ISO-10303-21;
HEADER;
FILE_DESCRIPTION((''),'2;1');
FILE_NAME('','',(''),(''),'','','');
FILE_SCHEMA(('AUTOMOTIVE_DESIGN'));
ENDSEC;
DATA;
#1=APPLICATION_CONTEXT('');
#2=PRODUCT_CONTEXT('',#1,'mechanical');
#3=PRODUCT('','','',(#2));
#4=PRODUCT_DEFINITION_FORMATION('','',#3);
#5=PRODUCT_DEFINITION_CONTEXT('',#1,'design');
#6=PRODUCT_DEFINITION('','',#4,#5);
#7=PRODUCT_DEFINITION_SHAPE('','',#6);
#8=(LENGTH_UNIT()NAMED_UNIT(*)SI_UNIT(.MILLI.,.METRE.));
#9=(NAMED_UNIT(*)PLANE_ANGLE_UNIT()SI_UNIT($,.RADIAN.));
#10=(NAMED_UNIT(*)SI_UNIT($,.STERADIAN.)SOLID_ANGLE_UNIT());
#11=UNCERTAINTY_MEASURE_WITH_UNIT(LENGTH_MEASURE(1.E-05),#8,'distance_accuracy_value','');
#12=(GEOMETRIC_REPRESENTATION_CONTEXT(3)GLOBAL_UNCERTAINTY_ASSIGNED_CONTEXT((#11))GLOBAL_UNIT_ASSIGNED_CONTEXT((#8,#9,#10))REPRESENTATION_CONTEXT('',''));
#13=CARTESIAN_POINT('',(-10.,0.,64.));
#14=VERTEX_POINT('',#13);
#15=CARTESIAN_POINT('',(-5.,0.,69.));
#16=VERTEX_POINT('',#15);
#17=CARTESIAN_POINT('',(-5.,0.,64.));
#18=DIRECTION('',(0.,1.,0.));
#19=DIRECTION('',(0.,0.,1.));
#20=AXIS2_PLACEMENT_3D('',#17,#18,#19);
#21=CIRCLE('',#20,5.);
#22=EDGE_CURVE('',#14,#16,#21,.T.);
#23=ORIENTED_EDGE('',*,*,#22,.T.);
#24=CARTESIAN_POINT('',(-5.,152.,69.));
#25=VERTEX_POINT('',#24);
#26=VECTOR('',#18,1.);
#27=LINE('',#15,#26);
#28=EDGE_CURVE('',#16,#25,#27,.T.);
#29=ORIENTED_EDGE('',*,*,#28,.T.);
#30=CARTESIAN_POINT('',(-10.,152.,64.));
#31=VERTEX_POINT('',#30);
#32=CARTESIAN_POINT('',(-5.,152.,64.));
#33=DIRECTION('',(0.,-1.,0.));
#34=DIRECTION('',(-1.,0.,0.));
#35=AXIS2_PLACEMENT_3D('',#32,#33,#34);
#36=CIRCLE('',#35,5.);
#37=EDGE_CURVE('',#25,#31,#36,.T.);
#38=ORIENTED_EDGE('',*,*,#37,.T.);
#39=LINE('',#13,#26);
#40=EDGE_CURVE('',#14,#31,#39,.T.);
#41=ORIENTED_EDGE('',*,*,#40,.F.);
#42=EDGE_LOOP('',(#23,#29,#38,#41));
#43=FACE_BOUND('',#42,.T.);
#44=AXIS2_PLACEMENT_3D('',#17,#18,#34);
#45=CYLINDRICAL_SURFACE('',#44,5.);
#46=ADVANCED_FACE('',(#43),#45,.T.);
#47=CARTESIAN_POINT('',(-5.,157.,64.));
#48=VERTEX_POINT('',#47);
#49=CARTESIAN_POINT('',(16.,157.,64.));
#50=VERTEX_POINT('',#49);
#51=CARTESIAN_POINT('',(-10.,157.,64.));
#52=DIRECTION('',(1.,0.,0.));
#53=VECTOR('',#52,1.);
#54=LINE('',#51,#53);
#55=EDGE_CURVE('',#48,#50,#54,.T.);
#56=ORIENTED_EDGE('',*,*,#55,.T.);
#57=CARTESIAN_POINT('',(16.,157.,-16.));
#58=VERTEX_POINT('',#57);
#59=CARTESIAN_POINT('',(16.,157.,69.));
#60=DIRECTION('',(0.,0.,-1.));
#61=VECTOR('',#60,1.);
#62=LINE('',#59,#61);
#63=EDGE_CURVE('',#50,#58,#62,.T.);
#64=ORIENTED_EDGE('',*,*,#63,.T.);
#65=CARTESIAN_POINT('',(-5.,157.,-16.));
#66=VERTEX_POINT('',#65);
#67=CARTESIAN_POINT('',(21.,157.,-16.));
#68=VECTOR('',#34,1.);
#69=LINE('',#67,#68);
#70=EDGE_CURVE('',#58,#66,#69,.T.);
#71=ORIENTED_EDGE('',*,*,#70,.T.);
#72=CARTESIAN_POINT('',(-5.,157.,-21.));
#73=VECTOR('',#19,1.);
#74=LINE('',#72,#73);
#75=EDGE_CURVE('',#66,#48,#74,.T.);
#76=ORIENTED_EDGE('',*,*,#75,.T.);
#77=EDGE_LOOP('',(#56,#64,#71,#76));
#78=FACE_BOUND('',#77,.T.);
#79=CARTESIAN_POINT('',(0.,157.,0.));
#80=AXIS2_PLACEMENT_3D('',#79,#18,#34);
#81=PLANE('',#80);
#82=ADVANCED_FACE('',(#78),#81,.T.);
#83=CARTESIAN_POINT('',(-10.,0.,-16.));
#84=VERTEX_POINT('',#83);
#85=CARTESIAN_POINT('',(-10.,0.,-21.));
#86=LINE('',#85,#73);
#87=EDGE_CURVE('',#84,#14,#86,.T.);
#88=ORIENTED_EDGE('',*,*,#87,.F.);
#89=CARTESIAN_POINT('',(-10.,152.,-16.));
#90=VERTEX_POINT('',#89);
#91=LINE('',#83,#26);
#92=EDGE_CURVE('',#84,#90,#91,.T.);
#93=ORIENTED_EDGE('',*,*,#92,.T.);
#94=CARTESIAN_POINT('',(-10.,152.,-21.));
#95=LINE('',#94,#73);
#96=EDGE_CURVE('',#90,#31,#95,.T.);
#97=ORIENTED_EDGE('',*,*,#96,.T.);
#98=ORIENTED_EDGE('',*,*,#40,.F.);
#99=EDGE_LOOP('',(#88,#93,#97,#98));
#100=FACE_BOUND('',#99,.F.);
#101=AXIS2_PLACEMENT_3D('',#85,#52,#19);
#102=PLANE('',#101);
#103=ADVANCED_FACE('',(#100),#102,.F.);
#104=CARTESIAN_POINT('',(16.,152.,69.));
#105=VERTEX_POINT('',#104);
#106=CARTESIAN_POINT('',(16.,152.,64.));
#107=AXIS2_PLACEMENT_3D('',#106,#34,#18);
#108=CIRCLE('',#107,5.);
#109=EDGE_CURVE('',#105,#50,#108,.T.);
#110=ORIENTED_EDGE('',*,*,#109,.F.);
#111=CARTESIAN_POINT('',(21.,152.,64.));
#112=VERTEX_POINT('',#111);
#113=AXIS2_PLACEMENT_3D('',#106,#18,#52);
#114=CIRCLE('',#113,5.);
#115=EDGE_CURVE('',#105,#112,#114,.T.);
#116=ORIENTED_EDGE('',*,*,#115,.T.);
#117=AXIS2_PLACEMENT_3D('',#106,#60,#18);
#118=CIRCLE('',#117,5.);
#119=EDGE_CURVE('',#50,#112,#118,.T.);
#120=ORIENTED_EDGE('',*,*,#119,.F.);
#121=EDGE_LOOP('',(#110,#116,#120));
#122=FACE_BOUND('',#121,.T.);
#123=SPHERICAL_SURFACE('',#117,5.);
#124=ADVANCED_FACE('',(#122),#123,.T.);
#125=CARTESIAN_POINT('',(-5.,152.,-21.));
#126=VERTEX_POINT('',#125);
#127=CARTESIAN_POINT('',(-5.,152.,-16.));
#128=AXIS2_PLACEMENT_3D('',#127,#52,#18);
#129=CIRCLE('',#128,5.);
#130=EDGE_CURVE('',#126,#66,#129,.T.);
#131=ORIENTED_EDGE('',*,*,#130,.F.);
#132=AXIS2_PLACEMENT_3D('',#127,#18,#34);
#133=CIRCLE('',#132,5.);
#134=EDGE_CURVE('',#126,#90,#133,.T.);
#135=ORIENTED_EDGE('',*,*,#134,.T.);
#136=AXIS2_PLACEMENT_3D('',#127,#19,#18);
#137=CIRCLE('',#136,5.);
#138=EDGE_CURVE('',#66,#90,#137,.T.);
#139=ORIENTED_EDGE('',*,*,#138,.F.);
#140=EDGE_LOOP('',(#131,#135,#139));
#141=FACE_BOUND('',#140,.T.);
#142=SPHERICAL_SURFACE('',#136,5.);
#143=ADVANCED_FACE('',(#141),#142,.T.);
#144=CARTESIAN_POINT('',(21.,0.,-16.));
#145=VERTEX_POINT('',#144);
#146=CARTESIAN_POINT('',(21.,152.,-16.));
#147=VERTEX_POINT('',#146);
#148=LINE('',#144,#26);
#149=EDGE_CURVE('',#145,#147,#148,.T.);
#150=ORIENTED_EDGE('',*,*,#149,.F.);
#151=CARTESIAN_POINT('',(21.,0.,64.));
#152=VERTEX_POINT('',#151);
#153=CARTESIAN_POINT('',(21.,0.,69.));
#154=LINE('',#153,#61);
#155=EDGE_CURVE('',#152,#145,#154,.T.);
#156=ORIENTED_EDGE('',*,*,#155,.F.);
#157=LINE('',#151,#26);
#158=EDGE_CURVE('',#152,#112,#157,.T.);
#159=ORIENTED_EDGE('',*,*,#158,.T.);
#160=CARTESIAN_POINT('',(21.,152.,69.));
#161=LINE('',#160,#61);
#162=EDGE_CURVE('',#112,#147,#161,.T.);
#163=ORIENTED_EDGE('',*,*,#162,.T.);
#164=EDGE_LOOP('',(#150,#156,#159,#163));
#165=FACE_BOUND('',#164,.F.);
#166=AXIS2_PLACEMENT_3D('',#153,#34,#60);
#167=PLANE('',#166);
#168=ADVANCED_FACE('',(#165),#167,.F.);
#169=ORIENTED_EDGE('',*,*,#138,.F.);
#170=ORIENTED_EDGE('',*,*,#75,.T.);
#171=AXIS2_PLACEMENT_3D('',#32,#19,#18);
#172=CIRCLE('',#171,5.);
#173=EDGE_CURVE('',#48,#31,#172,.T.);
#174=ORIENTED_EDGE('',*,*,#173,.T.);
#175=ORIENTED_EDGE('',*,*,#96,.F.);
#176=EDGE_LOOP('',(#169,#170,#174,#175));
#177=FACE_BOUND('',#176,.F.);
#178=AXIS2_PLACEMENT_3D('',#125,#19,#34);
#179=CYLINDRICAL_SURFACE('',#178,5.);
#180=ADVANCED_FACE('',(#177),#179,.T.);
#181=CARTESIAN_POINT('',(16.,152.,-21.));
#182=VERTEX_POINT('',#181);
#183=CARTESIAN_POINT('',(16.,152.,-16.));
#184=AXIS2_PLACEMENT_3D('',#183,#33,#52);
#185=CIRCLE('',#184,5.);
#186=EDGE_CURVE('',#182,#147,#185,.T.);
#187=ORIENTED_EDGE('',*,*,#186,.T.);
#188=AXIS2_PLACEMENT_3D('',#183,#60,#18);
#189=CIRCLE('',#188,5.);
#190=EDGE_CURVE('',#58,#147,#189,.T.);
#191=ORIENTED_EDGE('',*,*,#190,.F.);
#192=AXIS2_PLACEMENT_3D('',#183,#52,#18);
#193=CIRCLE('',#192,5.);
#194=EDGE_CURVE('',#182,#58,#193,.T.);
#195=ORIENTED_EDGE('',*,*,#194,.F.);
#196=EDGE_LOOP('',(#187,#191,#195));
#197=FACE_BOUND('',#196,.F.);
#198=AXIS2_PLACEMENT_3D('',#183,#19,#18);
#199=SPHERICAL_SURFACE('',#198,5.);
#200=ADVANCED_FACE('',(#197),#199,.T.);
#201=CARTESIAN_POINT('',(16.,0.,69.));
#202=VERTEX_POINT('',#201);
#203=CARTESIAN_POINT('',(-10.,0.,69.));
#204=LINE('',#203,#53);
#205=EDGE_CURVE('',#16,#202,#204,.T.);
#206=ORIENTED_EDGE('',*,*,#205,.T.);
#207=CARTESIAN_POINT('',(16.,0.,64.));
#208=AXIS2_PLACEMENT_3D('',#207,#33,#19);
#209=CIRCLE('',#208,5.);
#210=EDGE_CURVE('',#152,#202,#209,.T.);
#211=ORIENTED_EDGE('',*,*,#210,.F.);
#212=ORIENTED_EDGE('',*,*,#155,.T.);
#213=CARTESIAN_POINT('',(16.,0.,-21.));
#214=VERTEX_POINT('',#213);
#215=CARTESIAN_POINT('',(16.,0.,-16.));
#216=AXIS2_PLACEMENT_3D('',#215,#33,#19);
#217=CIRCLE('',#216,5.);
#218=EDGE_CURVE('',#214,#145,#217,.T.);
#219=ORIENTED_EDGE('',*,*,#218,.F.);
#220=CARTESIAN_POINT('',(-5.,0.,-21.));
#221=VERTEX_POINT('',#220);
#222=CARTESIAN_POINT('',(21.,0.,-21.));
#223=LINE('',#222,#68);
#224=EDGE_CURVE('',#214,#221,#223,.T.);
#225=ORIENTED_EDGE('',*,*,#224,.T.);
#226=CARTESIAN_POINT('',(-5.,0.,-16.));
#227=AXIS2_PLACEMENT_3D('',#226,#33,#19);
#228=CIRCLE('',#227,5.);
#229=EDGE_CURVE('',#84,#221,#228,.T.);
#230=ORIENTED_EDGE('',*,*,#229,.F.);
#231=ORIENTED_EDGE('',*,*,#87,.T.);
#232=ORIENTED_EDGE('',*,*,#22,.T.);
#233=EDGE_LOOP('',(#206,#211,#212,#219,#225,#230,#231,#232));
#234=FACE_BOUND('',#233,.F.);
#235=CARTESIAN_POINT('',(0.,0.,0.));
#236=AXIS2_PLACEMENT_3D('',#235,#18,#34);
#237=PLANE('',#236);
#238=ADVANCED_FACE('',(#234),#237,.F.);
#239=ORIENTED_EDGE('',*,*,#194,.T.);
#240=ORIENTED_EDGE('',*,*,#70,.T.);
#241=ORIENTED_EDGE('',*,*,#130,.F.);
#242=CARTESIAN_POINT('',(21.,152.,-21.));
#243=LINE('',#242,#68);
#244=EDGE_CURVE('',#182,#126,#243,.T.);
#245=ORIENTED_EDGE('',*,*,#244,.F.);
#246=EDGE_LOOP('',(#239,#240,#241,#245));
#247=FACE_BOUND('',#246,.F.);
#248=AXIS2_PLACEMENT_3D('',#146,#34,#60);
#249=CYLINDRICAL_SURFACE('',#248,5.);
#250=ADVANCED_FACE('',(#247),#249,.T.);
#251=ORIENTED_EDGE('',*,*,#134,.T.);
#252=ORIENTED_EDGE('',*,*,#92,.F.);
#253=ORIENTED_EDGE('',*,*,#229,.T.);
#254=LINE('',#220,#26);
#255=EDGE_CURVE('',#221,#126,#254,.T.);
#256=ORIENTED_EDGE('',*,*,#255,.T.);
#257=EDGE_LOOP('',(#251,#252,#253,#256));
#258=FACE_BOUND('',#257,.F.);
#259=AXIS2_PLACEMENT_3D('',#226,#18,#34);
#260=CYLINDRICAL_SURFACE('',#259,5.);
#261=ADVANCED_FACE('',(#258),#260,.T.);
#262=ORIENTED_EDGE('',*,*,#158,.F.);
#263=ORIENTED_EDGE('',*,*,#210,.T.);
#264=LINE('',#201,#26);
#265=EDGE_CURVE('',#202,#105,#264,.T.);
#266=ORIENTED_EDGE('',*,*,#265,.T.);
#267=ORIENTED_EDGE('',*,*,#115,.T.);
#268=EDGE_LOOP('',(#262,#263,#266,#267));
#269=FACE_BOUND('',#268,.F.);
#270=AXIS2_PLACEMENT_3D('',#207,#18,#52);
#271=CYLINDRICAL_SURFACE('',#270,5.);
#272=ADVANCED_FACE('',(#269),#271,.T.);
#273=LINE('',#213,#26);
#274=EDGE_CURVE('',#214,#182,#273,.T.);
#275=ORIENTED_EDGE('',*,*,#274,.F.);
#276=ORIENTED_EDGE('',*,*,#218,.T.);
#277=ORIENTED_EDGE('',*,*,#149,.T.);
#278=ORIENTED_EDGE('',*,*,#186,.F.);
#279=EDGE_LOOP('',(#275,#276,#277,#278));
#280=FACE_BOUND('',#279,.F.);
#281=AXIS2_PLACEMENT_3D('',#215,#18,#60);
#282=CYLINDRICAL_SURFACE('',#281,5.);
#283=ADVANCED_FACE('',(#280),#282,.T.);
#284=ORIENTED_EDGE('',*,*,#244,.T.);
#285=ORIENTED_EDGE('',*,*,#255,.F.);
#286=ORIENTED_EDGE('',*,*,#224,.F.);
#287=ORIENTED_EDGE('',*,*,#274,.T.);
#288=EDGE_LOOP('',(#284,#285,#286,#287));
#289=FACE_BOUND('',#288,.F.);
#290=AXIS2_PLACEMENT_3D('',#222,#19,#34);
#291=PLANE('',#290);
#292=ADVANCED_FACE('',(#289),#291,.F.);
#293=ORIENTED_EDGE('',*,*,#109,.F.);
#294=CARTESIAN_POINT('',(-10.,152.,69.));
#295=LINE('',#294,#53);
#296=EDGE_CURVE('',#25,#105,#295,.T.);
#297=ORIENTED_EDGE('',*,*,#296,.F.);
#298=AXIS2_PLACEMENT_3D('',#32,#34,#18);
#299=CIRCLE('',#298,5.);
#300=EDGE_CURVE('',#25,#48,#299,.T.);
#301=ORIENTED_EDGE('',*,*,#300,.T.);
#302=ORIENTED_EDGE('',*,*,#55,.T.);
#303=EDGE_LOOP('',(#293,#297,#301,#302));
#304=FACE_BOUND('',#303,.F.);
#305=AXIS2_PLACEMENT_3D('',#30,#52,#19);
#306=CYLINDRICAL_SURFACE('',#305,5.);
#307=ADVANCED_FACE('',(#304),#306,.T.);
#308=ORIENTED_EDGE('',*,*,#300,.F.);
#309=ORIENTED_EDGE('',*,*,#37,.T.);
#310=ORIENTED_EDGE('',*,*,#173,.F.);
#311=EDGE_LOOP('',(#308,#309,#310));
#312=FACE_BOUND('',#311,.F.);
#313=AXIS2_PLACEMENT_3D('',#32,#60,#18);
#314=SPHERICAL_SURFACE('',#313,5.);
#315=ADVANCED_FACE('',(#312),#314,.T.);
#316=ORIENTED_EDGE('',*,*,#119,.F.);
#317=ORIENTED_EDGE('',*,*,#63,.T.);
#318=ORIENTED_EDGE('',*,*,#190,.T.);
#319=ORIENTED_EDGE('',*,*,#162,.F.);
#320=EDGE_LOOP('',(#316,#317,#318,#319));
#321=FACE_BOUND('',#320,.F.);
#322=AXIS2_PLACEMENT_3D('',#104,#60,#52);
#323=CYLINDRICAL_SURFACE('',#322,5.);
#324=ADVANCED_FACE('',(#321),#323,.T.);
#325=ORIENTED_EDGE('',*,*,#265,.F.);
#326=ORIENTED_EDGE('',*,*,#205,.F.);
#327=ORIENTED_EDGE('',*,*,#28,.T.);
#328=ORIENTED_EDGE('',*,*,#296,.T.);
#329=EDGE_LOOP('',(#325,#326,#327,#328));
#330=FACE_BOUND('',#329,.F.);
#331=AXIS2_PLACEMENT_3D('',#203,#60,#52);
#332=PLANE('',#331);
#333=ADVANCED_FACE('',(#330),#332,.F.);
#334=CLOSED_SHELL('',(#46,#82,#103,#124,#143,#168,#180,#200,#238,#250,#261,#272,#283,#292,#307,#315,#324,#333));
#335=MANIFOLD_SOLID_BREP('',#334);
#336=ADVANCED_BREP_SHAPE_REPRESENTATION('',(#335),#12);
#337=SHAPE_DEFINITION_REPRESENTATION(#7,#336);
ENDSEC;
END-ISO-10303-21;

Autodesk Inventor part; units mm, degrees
ref_plane "YZ Plane" through (0, 0, 0) normal (1, 0, 0) x (0, 1, 0)
ref_plane "XZ Plane" through (0, 0, 0) normal (0, 1, 0) x (-1, 0, 0)
ref_plane "XY Plane" through (0, 0, 0) normal (0, 0, 1) x (1, 0, 0)
sketch "Esquisse1" plane through (0, 0, 0) normal (0, 1, 0) x (-1, 0, 0)
  line L0 (10, 69) -> (-21, 69)
  line L1 (-21, 69) -> (-21, -21)
  line L2 (-21, -21) -> (10, -21)
  line L3 (10, -21) -> (10, 69)
  point P0 (0, 0)
  dimension "d0" = 90
  dimension "d1" = 31
extrude "Extrusion1" add sketch "Esquisse1" along normal blind 157
fillet "Congé1" radius 5 8 edges at (21, 157, 24) (-10, 157, 24) (5.5, 157, 69) (5.5, 157, -21) (21, 78.5, -21) (-10, 78.5, -21) (-10, 78.5, 69) (21, 78.5, 69)
properties part number "batt"
